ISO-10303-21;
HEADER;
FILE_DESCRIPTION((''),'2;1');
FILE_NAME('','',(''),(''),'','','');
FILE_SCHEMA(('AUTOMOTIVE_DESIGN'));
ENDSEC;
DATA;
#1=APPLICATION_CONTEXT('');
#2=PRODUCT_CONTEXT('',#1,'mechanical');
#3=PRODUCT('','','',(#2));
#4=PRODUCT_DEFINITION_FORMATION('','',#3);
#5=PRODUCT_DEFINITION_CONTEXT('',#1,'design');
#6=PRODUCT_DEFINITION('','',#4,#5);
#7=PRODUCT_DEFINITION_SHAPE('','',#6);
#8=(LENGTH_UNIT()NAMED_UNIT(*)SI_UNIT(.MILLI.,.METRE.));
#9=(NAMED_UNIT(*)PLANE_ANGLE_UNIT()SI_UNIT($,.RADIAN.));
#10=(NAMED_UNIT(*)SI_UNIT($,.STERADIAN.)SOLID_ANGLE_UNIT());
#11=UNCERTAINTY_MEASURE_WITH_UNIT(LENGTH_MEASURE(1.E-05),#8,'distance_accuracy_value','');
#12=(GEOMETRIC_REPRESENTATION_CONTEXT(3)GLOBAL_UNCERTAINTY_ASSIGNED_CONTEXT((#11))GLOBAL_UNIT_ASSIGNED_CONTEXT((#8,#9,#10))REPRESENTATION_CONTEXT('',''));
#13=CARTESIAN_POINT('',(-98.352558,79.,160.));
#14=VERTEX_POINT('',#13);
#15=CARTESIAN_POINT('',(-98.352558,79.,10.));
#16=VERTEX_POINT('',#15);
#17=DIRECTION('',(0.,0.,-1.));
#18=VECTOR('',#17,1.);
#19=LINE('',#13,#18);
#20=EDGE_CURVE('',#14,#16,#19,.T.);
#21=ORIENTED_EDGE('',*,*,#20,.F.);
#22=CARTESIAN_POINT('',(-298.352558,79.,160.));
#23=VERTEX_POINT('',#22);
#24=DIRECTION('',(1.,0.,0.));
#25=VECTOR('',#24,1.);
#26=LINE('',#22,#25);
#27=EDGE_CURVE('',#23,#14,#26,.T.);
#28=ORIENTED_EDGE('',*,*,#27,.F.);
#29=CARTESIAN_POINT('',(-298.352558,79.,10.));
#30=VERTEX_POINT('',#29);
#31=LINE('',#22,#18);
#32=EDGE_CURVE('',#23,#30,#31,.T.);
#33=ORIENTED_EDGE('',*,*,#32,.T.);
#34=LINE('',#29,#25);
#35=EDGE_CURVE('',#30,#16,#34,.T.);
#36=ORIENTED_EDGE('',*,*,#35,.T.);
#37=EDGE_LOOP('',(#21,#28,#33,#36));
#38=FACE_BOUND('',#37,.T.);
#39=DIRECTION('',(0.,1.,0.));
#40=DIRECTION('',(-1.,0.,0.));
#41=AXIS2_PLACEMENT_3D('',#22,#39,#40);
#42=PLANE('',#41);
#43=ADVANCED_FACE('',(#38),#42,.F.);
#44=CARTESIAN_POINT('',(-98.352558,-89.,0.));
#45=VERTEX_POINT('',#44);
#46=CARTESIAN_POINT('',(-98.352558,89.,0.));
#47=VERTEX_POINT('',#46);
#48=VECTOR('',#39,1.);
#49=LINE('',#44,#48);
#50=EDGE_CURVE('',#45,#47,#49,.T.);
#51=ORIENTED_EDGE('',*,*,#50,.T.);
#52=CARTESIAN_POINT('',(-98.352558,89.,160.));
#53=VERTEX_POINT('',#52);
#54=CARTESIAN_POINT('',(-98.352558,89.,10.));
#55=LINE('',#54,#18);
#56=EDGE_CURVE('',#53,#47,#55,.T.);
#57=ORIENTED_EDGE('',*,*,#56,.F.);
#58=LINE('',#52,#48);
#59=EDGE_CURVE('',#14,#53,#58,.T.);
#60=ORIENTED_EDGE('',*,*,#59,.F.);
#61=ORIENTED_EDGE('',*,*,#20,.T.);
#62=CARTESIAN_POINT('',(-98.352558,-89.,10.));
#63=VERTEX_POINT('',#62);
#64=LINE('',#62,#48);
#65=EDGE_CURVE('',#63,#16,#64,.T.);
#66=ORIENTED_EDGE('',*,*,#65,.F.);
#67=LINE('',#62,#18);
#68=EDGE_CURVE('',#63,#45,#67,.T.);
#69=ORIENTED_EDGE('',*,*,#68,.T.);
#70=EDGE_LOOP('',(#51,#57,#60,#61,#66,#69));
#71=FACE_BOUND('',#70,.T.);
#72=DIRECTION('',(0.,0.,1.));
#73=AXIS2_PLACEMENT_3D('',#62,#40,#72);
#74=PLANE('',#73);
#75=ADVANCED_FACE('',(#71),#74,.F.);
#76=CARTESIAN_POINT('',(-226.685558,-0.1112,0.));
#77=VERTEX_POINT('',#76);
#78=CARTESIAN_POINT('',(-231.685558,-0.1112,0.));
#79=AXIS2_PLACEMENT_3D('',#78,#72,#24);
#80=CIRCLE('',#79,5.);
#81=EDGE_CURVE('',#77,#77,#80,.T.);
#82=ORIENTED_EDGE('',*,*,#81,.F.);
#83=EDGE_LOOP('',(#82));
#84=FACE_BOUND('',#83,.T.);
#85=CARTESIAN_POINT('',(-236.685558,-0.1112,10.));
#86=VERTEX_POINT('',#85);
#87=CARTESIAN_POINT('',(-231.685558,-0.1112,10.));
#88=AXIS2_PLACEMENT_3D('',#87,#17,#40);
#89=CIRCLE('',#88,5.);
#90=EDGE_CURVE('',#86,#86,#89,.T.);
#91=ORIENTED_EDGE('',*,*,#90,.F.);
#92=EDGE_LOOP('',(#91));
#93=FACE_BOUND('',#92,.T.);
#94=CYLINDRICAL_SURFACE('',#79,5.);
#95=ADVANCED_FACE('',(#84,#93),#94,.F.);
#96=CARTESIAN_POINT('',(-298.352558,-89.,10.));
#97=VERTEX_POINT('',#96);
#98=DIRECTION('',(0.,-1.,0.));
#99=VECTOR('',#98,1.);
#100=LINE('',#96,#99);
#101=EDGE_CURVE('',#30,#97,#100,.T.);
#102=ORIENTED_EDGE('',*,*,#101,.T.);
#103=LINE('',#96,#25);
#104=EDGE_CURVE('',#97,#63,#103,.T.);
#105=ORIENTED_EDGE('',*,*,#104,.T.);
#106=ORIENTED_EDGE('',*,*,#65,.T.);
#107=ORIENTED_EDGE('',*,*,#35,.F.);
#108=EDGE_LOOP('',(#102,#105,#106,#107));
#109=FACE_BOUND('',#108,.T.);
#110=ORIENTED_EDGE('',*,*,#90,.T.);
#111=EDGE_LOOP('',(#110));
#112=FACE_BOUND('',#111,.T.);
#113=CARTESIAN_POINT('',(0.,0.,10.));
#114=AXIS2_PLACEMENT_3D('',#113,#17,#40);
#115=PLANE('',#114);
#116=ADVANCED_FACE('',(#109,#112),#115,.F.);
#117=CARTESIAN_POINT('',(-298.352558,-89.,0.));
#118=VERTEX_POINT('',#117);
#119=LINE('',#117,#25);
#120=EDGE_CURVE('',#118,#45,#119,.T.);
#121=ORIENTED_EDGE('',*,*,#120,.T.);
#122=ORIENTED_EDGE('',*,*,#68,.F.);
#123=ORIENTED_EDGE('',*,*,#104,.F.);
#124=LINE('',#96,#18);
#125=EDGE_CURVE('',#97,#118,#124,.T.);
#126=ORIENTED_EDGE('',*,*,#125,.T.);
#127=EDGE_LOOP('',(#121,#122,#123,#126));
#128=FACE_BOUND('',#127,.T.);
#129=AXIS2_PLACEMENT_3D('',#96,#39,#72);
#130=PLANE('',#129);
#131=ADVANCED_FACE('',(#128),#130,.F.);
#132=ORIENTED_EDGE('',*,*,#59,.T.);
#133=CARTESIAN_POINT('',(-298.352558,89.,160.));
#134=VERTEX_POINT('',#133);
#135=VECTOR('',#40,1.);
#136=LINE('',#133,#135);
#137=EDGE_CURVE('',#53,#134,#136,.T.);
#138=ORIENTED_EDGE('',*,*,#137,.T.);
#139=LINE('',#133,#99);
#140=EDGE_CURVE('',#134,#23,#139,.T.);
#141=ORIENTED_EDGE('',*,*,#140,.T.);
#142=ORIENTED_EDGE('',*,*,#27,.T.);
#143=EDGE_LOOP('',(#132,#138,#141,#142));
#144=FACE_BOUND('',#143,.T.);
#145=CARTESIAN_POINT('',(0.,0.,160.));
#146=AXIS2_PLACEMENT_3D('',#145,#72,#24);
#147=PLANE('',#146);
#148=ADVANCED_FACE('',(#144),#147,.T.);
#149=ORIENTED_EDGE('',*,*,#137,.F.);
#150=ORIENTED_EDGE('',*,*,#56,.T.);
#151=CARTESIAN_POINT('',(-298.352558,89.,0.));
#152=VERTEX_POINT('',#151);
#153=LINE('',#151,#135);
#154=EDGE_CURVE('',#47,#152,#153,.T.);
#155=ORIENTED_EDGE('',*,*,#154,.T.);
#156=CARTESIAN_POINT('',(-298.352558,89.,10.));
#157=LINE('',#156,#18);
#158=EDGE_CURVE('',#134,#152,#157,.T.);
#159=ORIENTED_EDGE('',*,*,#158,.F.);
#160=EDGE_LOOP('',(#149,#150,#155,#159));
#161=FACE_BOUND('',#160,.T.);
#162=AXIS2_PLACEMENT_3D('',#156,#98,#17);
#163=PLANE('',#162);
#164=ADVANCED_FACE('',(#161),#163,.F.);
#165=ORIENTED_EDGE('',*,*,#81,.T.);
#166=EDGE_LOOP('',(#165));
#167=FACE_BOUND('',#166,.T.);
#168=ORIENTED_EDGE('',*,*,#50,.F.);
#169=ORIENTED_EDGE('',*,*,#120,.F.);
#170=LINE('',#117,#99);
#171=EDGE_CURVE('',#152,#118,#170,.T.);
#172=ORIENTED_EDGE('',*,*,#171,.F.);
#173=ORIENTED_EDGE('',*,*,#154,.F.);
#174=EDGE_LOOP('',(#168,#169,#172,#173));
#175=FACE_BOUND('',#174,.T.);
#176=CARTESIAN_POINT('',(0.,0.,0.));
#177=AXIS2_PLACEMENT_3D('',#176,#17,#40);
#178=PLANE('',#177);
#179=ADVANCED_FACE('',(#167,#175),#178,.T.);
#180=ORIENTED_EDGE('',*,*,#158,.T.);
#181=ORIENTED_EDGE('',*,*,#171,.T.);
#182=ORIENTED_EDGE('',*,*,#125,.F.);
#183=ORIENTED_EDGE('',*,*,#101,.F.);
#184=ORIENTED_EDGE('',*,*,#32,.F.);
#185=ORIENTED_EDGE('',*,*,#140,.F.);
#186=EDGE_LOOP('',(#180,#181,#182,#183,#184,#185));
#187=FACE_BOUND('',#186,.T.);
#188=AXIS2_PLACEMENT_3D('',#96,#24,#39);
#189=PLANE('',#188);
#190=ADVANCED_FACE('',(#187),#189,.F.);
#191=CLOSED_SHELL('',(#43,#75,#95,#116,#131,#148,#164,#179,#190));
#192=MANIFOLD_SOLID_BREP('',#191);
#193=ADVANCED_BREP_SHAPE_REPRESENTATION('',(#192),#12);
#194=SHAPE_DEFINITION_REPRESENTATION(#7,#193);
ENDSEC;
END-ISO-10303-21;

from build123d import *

# Parameters (mm, degrees)
ESBO_O1_W                  = 200
ESBO_O1_H                  = 178
RESSALTO_EXTRUS_O1_DEPTH   = 10
ESBO_O3_W                  = 200
ESBO_O3_H                  = 10
RESSALTO_EXTRUS_O2_DEPTH   = 150
CORTE_EXTRUS_O1_DEPTH      = 346.594052101
CORTE_EXTRUS_O1_DEPTH_BACK = 346.594052101
ESBO_O4_R                  = 5


with BuildPart() as part:
    # Esboço1 → Ressalto-extrusão1 (new body)
    with BuildSketch(Plane.XY):
        with Locations((-198.352557971, 0)):
            Rectangle(ESBO_O1_W, ESBO_O1_H)
    extrude(amount=RESSALTO_EXTRUS_O1_DEPTH)

    # Esboço3 → Ressalto-extrusão2 (add)
    with BuildSketch(Plane.XY.offset(10)):
        with Locations((-198.352557971, 84)):
            Rectangle(ESBO_O3_W, ESBO_O3_H)
    extrude(amount=RESSALTO_EXTRUS_O2_DEPTH)

    # Esboço4 → Corte-extrusão1 (cut, two sides: drawn at the far end of the back side and taken through both)
    with BuildSketch(Plane.XY.offset(10).offset(-CORTE_EXTRUS_O1_DEPTH_BACK)):
        with Locations((-231.685557971, -0.1112)):
            Circle(ESBO_O4_R)
    extrude(amount=CORTE_EXTRUS_O1_DEPTH + CORTE_EXTRUS_O1_DEPTH_BACK, mode=Mode.SUBTRACT)


solid = part.part
